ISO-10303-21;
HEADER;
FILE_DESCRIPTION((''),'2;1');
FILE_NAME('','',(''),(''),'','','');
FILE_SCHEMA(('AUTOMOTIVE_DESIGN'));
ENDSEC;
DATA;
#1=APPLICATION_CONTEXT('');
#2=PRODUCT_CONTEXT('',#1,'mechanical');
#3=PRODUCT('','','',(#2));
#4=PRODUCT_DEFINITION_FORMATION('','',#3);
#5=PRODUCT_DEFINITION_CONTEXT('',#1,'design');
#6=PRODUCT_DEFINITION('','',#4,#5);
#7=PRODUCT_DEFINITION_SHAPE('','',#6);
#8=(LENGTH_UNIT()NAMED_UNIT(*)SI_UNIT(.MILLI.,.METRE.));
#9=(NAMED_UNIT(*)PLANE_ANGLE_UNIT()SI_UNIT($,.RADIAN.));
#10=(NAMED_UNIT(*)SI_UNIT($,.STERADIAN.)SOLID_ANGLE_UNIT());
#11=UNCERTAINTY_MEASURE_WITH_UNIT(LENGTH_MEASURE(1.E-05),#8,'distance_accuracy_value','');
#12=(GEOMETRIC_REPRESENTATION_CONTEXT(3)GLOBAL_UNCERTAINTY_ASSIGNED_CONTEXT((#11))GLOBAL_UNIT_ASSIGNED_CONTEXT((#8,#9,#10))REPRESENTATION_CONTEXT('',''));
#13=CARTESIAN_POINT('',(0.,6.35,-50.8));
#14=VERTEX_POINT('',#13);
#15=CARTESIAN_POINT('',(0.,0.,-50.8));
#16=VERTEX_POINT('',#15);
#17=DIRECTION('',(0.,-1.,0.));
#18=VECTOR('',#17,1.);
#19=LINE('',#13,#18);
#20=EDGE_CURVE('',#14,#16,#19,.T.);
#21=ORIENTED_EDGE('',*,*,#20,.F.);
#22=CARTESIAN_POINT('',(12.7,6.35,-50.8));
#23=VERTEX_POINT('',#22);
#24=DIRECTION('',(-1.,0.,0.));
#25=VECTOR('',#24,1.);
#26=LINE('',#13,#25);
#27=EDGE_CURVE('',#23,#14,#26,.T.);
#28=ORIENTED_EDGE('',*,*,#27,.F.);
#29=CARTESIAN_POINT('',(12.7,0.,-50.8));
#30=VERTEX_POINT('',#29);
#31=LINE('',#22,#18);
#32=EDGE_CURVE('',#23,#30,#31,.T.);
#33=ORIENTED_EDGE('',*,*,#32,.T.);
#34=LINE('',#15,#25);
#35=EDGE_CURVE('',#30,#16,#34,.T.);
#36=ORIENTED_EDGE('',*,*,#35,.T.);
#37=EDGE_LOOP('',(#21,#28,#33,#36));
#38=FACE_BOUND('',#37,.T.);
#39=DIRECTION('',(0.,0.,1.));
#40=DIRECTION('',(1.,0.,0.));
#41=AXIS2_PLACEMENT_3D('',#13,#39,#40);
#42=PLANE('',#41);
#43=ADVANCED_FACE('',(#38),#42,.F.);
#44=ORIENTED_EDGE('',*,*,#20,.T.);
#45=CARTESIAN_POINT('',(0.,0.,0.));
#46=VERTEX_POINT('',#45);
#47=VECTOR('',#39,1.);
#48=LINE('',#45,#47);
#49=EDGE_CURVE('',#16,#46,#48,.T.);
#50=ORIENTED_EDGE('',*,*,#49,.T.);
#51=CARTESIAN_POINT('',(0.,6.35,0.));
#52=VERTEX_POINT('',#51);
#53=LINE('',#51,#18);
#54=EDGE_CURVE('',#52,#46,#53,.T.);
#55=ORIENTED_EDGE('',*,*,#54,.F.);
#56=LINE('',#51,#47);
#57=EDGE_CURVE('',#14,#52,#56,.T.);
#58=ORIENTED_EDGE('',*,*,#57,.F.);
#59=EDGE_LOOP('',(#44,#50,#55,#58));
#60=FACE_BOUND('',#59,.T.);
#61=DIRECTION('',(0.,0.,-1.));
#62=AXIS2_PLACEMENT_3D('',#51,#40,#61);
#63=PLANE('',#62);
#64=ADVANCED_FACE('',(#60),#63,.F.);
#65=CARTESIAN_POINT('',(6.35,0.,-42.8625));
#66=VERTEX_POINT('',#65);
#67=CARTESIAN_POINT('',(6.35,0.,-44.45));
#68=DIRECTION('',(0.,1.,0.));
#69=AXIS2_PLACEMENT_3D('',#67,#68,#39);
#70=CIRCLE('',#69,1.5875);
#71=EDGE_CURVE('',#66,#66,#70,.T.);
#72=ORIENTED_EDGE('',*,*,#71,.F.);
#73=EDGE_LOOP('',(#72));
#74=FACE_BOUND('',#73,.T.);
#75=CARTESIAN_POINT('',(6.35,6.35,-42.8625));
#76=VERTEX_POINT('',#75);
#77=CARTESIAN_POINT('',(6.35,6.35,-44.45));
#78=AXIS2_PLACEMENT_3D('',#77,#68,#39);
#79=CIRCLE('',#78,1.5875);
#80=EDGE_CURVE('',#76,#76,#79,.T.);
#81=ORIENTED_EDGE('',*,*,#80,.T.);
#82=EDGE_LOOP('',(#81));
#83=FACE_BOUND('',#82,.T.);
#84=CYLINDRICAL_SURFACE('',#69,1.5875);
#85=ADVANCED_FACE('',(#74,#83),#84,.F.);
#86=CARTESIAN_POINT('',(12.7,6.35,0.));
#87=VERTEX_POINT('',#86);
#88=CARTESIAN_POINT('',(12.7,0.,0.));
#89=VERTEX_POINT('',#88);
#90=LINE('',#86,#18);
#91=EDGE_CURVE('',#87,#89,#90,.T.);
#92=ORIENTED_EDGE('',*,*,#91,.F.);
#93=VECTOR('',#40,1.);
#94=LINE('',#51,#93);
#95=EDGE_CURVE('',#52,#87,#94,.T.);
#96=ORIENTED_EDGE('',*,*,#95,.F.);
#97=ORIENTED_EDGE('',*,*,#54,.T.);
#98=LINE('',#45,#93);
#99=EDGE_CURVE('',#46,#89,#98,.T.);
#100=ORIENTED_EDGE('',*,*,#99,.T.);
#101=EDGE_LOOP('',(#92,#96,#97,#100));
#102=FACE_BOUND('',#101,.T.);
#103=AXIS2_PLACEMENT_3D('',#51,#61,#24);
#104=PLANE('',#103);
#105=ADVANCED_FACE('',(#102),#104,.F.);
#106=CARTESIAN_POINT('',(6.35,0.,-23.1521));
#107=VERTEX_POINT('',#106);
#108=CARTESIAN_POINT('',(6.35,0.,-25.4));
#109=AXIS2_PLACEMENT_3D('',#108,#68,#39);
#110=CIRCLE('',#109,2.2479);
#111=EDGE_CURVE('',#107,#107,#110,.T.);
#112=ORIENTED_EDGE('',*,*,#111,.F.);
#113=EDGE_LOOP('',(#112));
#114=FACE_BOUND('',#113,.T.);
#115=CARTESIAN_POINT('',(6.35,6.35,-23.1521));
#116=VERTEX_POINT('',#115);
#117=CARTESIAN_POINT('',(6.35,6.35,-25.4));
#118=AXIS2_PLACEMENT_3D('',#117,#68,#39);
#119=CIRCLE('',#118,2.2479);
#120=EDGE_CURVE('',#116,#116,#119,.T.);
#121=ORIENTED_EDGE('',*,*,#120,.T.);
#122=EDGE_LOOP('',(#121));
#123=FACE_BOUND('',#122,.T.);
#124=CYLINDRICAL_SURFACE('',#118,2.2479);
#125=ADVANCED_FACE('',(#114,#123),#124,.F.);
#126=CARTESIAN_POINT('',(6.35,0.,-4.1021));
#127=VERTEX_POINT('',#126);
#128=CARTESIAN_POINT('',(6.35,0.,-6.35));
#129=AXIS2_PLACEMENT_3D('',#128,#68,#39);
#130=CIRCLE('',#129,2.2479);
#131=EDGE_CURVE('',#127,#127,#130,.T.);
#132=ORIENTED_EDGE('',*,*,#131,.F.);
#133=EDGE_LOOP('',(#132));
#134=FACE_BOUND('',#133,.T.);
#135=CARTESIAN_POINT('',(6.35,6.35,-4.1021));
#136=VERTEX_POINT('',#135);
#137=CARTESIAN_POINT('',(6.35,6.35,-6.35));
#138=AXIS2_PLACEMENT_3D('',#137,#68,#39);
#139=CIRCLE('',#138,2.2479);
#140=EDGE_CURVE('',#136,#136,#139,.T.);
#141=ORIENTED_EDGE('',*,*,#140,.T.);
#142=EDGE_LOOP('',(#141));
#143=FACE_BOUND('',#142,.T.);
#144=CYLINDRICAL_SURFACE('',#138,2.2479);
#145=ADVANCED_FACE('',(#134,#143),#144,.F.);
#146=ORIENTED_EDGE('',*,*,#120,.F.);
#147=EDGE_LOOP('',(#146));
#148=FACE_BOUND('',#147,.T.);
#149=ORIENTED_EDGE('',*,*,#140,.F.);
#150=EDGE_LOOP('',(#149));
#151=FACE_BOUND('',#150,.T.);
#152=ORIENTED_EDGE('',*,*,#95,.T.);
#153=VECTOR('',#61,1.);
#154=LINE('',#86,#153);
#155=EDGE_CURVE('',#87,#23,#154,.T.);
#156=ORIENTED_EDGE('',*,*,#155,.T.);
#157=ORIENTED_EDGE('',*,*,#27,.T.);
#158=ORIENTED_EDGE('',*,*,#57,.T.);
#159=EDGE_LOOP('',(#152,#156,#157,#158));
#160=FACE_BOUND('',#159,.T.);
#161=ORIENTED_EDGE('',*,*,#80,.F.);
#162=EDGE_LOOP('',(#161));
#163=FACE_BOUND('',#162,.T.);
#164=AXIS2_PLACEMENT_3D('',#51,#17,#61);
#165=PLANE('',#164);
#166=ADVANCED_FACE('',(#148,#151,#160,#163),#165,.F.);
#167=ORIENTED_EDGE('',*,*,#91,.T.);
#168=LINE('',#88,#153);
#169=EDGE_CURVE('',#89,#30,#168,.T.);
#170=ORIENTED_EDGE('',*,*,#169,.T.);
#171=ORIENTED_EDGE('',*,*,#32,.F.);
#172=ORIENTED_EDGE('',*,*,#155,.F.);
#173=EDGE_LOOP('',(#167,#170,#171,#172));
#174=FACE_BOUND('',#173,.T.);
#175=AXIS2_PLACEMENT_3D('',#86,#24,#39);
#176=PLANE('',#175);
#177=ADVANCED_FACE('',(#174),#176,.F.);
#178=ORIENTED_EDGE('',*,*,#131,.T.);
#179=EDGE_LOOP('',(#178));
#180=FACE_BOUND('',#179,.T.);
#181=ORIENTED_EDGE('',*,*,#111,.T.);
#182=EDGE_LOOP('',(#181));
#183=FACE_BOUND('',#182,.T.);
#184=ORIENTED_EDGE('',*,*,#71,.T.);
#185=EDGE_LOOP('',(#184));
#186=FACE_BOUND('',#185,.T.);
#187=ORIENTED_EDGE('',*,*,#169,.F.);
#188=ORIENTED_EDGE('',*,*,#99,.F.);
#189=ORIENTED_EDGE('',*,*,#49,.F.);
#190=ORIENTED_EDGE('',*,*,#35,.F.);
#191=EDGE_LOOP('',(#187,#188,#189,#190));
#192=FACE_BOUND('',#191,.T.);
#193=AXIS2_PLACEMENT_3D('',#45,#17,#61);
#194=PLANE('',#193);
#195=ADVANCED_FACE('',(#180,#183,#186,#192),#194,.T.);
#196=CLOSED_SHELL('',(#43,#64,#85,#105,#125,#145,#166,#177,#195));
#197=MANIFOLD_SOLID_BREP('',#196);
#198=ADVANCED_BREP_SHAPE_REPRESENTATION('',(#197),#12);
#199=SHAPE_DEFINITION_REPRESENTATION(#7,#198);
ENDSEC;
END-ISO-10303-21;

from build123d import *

# Parameters (mm, degrees)
SKETCH1_W             = 12.7
SKETCH1_H             = 50.8
BOSS_EXTRUDE1_DEPTH   = 6.35
SKETCH9_R             = 1.5875
CUT_EXTRUDE1_DEPTH    = 7.35
F_8_CLEARANCE_HOLE1_D = 4.4958


with BuildPart() as part:
    # Sketch1 → Boss-Extrude1 (new body)
    with BuildSketch(Plane(origin=(0, 0, 0), x_dir=(1, 0, 0), z_dir=(0, 1, 0))):
        with Locations((6.35, 25.4)):
            Rectangle(SKETCH1_W, SKETCH1_H)
    extrude(amount=BOSS_EXTRUDE1_DEPTH)

    # Sketch9 → Cut-Extrude1 (cut, through all)
    with BuildSketch(Plane(origin=(0, 6.35, 0), x_dir=(1, 0, 0), z_dir=(0, 1, 0))):
        with Locations(Location((6.35, 44.45, 0), (0, 0, 270))):  # turned: the seam where the file's is
            Circle(SKETCH9_R)
    extrude(amount=-CUT_EXTRUDE1_DEPTH, mode=Mode.SUBTRACT)

    # #8 Clearance Hole1 (through all)
    with Locations(Plane(origin=(0, 6.35, 0), x_dir=(1, 0, 0), z_dir=(0, 1, 0))):
        with Locations((6.35, 25.4), (6.35, 6.35)):
            Hole(F_8_CLEARANCE_HOLE1_D / 2)


solid = part.part
